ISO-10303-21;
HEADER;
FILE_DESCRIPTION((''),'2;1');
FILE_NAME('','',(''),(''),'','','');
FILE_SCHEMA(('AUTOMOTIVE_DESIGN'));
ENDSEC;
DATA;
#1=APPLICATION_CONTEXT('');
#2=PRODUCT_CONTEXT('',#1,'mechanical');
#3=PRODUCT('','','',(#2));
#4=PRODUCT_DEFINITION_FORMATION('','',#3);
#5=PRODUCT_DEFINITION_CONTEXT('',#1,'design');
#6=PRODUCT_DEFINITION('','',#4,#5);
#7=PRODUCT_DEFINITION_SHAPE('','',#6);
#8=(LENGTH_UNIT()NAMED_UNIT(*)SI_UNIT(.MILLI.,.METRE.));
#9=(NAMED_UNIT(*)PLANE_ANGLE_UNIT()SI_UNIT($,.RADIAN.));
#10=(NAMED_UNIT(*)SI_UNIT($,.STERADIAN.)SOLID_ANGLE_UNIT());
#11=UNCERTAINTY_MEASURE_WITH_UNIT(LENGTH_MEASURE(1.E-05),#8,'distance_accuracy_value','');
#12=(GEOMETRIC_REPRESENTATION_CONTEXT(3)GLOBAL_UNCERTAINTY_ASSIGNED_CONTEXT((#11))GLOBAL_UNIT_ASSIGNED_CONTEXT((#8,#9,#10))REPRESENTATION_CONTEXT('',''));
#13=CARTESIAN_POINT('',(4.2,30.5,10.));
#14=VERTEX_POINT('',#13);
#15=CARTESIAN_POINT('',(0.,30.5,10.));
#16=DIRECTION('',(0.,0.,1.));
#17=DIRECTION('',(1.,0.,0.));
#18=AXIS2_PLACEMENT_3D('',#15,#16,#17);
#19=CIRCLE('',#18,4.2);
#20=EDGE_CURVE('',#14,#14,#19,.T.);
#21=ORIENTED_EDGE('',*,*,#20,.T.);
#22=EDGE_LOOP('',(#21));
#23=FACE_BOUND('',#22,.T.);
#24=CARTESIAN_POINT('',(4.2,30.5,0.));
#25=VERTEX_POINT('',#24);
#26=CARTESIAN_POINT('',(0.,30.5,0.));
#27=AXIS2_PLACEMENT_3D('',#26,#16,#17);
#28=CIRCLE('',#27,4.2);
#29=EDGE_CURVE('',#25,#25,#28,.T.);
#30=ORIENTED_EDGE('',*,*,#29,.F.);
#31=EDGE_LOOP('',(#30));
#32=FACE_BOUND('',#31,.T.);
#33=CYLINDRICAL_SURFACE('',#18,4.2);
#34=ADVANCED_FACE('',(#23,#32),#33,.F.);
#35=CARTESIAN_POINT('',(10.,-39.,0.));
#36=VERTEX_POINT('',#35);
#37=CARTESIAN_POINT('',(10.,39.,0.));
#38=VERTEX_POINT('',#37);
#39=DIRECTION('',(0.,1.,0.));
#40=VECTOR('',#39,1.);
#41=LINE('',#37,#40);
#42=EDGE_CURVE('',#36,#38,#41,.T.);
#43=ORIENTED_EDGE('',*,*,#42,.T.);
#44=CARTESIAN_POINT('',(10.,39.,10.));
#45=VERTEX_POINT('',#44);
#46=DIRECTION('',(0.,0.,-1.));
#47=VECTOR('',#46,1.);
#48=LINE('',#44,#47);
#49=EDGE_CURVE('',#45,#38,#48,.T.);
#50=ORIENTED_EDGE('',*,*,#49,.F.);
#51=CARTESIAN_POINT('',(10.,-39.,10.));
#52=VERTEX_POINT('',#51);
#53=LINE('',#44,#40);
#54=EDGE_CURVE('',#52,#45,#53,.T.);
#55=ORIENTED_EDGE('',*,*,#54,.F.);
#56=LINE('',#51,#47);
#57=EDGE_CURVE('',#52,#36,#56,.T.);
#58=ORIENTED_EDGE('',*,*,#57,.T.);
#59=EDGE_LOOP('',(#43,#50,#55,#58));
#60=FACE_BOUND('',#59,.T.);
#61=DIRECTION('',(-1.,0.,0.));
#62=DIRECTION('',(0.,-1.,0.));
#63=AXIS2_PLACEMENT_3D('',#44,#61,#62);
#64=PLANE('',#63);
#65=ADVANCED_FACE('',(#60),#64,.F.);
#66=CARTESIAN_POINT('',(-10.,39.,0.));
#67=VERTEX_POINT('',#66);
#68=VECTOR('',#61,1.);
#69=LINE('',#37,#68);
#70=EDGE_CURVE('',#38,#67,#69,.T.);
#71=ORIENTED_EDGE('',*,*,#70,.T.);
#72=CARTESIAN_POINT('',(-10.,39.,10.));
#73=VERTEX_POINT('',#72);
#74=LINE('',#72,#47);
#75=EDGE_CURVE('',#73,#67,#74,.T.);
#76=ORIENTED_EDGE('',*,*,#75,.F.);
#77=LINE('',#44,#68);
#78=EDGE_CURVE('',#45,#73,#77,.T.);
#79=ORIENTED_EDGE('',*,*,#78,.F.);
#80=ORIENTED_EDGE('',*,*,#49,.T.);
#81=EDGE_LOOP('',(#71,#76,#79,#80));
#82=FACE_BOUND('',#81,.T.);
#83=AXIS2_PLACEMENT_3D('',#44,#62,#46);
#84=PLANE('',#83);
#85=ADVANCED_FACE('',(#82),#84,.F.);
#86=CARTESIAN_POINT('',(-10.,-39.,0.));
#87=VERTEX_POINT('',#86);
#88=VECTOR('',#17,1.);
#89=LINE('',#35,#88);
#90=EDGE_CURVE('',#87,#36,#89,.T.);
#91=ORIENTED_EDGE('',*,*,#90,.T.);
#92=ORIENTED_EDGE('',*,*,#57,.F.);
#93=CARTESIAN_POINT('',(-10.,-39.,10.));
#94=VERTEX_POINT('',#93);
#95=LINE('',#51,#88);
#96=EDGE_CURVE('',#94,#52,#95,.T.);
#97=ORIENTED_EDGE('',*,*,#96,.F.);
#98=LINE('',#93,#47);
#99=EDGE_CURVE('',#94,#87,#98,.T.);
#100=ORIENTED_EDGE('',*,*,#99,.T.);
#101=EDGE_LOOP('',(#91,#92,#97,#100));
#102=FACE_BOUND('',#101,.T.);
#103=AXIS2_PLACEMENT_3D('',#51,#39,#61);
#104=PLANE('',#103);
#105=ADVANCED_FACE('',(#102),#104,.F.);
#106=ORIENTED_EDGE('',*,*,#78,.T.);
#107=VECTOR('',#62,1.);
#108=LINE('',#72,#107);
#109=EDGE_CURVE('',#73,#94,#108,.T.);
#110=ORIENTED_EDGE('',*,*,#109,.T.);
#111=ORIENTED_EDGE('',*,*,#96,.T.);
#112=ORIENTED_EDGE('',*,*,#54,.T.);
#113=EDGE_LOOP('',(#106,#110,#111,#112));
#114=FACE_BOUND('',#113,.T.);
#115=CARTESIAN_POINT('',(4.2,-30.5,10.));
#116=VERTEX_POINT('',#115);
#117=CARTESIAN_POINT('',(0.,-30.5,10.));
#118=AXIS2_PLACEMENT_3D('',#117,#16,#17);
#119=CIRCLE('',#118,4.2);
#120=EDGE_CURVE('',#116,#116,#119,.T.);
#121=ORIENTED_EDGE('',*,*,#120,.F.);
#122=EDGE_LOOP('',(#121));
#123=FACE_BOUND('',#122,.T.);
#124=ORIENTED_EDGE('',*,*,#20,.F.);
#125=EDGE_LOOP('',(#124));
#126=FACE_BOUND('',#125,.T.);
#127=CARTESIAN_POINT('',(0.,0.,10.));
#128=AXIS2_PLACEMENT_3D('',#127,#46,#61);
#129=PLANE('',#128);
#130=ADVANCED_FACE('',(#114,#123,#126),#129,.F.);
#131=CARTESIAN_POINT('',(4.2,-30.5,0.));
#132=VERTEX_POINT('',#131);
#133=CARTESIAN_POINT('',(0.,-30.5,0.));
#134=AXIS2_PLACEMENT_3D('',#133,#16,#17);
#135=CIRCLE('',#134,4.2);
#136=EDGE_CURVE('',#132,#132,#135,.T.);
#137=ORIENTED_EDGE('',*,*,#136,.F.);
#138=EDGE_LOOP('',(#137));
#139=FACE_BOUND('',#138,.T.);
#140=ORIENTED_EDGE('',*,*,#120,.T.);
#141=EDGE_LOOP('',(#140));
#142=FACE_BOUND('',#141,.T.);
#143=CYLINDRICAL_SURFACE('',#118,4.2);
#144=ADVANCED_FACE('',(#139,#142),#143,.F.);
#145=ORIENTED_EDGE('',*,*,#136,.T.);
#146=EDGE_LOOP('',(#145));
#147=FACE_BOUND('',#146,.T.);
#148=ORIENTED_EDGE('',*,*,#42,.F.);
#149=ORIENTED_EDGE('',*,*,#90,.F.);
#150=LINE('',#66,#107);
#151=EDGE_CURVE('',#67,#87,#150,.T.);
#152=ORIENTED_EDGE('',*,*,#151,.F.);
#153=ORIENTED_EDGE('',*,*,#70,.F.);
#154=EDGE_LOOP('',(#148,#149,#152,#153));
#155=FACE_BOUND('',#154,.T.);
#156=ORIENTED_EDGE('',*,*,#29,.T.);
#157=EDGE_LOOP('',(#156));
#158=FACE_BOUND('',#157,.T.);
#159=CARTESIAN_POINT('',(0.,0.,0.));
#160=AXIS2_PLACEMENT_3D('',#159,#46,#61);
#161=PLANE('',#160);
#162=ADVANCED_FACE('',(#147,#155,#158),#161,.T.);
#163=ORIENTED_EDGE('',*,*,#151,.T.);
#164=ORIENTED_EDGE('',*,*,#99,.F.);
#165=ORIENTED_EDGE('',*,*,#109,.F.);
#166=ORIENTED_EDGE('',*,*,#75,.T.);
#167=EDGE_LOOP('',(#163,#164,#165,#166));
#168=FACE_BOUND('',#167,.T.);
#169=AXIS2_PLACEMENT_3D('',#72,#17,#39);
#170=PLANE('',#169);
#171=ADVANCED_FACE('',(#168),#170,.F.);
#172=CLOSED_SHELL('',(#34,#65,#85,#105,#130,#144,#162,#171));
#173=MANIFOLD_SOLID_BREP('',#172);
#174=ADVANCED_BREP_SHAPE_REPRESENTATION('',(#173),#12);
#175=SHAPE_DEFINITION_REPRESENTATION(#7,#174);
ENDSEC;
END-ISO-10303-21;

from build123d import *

# Parameters (mm, degrees)
SKETCH1_W            = 20
SKETCH1_H            = 78
BOSS_EXTRUDE1_DEPTH  = 10
M8_CLEARANCE_HOLE1_D = 8.4


with BuildPart() as part:
    # Sketch1 → Boss-Extrude1 (new body)
    with BuildSketch(Plane.XY):
        Rectangle(SKETCH1_W, SKETCH1_H)
    extrude(amount=BOSS_EXTRUDE1_DEPTH)

    # M8 Clearance Hole1 (through all)
    with Locations(Plane.XY.offset(10)):
        with Locations((0, 30.5), (0, -30.5)):
            Hole(M8_CLEARANCE_HOLE1_D / 2)


solid = part.part
